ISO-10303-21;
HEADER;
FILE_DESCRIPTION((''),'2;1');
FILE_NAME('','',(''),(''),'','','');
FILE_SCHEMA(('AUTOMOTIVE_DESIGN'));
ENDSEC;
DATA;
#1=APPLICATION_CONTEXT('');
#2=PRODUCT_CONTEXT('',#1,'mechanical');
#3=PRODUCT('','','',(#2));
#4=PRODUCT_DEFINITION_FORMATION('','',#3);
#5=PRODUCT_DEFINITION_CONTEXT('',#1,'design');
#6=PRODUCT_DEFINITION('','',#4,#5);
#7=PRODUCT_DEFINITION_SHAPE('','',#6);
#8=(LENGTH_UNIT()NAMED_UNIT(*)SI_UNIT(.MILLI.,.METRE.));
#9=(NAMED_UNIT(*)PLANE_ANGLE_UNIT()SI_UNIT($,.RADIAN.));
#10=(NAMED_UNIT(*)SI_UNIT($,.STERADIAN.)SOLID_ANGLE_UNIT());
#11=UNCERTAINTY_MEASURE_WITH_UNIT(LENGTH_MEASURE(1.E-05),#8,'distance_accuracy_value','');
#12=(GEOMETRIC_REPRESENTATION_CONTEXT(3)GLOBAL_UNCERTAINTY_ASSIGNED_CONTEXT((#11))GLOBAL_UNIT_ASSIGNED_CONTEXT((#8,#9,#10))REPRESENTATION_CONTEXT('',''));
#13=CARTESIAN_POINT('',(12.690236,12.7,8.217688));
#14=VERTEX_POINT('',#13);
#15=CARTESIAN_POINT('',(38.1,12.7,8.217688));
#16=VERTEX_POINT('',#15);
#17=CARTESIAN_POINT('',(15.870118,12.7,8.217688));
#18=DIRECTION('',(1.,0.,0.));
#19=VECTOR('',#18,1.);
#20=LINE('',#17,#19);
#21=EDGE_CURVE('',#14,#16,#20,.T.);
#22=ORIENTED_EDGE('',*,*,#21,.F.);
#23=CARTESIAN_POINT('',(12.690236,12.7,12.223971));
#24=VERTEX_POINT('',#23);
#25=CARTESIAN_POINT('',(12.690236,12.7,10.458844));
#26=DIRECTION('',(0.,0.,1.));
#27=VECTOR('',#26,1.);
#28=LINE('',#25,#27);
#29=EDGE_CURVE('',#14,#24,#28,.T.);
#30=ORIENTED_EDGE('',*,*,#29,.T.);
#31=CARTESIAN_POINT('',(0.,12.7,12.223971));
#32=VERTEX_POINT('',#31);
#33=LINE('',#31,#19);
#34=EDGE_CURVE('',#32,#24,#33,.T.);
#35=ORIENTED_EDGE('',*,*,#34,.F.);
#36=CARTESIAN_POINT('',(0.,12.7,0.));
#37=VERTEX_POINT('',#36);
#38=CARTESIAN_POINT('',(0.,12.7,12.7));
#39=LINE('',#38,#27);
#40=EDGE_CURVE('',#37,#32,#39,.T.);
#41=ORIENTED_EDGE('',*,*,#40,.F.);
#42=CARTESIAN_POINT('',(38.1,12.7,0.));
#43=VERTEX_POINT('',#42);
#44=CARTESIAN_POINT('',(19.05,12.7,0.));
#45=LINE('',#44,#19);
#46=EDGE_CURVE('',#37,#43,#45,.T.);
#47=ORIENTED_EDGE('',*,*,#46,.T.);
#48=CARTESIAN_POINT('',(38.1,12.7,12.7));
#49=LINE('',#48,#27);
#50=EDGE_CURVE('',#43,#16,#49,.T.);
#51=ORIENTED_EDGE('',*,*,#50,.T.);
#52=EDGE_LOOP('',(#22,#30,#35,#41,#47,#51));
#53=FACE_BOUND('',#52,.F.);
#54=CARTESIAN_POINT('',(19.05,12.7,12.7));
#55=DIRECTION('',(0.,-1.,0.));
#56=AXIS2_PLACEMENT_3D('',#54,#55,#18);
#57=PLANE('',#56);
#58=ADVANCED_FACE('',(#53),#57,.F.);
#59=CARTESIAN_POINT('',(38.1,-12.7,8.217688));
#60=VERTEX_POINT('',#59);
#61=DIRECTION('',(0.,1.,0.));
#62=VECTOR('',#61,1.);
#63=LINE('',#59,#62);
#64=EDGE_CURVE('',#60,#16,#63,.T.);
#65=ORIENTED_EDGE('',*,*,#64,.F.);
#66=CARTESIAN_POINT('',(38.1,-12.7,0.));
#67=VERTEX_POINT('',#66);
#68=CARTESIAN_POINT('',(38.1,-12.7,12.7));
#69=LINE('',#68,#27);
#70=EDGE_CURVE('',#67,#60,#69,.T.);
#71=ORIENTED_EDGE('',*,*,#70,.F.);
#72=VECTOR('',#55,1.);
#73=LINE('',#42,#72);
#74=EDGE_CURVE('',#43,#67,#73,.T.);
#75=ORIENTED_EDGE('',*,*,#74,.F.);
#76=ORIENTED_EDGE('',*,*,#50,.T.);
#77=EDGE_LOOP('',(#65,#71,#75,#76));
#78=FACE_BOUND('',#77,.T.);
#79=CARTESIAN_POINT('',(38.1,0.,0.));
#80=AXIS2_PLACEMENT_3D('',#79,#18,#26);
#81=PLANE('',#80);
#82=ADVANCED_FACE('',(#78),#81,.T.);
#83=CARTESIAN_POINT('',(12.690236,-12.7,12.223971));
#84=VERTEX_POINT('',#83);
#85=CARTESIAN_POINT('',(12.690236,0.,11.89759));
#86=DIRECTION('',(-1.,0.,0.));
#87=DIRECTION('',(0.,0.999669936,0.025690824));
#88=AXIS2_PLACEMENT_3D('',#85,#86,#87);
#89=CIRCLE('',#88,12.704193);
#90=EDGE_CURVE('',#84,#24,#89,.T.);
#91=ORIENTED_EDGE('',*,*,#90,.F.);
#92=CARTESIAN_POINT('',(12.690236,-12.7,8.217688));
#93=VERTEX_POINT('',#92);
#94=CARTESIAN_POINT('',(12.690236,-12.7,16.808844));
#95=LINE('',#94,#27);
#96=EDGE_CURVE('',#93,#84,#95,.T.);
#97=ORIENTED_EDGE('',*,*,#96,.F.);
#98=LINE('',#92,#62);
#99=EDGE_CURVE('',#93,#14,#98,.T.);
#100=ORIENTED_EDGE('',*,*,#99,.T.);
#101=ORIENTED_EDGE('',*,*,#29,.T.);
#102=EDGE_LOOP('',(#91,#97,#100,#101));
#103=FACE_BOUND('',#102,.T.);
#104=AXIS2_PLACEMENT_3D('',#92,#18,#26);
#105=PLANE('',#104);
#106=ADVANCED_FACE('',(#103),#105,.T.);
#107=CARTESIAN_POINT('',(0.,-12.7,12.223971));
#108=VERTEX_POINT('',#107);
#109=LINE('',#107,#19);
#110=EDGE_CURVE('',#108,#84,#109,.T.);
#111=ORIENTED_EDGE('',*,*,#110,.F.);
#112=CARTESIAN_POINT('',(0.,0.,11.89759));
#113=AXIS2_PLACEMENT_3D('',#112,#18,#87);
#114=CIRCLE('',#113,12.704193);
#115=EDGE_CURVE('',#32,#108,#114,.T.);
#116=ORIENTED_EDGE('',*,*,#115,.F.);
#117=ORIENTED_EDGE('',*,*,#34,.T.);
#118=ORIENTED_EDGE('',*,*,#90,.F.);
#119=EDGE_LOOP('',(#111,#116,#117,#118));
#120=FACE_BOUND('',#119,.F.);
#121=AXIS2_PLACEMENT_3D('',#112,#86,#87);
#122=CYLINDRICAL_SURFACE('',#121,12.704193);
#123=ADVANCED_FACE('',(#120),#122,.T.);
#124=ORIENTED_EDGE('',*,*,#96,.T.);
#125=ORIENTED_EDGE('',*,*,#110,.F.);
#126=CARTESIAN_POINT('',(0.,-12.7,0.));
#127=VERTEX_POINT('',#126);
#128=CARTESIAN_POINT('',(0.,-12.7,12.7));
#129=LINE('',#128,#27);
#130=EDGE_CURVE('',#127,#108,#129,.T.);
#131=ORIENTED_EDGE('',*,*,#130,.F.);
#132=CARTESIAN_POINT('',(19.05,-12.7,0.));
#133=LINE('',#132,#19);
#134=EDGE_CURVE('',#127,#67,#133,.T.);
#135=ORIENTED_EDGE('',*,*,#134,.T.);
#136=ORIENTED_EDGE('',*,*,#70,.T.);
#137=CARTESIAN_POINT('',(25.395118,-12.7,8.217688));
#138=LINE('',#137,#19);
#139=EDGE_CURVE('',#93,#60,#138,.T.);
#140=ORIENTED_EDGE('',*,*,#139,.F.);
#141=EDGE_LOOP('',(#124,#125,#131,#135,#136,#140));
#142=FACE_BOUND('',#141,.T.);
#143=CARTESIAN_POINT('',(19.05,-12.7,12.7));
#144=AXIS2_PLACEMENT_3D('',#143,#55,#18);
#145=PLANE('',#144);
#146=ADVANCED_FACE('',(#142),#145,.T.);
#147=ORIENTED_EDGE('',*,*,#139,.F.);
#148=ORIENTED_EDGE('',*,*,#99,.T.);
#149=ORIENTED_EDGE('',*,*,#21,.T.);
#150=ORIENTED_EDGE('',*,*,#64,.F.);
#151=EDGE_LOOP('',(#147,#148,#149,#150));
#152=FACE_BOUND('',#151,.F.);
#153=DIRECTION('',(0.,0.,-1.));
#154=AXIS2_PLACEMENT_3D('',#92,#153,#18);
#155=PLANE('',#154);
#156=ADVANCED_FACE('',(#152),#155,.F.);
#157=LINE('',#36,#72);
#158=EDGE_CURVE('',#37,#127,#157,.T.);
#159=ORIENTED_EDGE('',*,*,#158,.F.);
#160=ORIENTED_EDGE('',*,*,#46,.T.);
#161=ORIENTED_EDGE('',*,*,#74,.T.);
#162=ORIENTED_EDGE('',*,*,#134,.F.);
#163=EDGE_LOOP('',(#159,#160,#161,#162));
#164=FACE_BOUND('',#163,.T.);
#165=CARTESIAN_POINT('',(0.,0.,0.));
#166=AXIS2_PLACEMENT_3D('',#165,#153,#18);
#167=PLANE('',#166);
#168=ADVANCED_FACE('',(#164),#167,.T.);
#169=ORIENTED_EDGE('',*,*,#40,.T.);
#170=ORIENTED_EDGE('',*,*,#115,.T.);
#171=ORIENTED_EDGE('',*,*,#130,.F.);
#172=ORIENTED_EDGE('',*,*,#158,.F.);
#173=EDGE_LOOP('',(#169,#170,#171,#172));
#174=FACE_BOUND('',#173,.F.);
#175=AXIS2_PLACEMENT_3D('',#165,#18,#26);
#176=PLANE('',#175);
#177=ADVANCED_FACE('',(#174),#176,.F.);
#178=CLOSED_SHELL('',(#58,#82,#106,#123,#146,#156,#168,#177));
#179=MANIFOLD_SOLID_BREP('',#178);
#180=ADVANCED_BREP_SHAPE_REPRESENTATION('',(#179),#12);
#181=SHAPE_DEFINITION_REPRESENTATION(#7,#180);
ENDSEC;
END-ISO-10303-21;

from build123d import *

# Parameters (mm, degrees)
F0_W     = 38.1
F0_H     = 25.4
F1_DEPTH = 12.7
F2_W     = 25.409764
F2_H     = 17.182311
F3_DEPTH = 25.401
F5_DEPTH = 38.101


with BuildPart() as f1:
    # F0 (on Front) → F1 (new body, symmetric)
    with BuildSketch(Plane.XZ):
        with Locations((19.05, 12.7)):
            Rectangle(F0_W, F0_H)
    extrude(amount=F1_DEPTH, both=True)

    # F2 (on face) → F3 (cut, through all)
    with BuildSketch(Plane.XZ.offset(12.7)):
        with Locations((25.395118, 16.808844)):
            Rectangle(F2_W, F2_H)
    extrude(amount=-F3_DEPTH, mode=Mode.SUBTRACT)

    # F4 (on face) → F5 (cut, through all)
    with BuildSketch(Plane(origin=(0, 0, 0), x_dir=(0, -1, 0), z_dir=(-1, 0, 0))):
        with BuildLine():
            ThreePointArc((-12.7, 12.223971), (0, 24.601783), (12.7, 12.223971))
            Line((12.7, 12.223971), (12.7, 25.4))
            Line((12.7, 25.4), (-12.7, 25.4))
            Line((-12.7, 25.4), (-12.7, 12.223971))
        make_face()
    extrude(amount=-F5_DEPTH, mode=Mode.SUBTRACT)


solid = f1.part
